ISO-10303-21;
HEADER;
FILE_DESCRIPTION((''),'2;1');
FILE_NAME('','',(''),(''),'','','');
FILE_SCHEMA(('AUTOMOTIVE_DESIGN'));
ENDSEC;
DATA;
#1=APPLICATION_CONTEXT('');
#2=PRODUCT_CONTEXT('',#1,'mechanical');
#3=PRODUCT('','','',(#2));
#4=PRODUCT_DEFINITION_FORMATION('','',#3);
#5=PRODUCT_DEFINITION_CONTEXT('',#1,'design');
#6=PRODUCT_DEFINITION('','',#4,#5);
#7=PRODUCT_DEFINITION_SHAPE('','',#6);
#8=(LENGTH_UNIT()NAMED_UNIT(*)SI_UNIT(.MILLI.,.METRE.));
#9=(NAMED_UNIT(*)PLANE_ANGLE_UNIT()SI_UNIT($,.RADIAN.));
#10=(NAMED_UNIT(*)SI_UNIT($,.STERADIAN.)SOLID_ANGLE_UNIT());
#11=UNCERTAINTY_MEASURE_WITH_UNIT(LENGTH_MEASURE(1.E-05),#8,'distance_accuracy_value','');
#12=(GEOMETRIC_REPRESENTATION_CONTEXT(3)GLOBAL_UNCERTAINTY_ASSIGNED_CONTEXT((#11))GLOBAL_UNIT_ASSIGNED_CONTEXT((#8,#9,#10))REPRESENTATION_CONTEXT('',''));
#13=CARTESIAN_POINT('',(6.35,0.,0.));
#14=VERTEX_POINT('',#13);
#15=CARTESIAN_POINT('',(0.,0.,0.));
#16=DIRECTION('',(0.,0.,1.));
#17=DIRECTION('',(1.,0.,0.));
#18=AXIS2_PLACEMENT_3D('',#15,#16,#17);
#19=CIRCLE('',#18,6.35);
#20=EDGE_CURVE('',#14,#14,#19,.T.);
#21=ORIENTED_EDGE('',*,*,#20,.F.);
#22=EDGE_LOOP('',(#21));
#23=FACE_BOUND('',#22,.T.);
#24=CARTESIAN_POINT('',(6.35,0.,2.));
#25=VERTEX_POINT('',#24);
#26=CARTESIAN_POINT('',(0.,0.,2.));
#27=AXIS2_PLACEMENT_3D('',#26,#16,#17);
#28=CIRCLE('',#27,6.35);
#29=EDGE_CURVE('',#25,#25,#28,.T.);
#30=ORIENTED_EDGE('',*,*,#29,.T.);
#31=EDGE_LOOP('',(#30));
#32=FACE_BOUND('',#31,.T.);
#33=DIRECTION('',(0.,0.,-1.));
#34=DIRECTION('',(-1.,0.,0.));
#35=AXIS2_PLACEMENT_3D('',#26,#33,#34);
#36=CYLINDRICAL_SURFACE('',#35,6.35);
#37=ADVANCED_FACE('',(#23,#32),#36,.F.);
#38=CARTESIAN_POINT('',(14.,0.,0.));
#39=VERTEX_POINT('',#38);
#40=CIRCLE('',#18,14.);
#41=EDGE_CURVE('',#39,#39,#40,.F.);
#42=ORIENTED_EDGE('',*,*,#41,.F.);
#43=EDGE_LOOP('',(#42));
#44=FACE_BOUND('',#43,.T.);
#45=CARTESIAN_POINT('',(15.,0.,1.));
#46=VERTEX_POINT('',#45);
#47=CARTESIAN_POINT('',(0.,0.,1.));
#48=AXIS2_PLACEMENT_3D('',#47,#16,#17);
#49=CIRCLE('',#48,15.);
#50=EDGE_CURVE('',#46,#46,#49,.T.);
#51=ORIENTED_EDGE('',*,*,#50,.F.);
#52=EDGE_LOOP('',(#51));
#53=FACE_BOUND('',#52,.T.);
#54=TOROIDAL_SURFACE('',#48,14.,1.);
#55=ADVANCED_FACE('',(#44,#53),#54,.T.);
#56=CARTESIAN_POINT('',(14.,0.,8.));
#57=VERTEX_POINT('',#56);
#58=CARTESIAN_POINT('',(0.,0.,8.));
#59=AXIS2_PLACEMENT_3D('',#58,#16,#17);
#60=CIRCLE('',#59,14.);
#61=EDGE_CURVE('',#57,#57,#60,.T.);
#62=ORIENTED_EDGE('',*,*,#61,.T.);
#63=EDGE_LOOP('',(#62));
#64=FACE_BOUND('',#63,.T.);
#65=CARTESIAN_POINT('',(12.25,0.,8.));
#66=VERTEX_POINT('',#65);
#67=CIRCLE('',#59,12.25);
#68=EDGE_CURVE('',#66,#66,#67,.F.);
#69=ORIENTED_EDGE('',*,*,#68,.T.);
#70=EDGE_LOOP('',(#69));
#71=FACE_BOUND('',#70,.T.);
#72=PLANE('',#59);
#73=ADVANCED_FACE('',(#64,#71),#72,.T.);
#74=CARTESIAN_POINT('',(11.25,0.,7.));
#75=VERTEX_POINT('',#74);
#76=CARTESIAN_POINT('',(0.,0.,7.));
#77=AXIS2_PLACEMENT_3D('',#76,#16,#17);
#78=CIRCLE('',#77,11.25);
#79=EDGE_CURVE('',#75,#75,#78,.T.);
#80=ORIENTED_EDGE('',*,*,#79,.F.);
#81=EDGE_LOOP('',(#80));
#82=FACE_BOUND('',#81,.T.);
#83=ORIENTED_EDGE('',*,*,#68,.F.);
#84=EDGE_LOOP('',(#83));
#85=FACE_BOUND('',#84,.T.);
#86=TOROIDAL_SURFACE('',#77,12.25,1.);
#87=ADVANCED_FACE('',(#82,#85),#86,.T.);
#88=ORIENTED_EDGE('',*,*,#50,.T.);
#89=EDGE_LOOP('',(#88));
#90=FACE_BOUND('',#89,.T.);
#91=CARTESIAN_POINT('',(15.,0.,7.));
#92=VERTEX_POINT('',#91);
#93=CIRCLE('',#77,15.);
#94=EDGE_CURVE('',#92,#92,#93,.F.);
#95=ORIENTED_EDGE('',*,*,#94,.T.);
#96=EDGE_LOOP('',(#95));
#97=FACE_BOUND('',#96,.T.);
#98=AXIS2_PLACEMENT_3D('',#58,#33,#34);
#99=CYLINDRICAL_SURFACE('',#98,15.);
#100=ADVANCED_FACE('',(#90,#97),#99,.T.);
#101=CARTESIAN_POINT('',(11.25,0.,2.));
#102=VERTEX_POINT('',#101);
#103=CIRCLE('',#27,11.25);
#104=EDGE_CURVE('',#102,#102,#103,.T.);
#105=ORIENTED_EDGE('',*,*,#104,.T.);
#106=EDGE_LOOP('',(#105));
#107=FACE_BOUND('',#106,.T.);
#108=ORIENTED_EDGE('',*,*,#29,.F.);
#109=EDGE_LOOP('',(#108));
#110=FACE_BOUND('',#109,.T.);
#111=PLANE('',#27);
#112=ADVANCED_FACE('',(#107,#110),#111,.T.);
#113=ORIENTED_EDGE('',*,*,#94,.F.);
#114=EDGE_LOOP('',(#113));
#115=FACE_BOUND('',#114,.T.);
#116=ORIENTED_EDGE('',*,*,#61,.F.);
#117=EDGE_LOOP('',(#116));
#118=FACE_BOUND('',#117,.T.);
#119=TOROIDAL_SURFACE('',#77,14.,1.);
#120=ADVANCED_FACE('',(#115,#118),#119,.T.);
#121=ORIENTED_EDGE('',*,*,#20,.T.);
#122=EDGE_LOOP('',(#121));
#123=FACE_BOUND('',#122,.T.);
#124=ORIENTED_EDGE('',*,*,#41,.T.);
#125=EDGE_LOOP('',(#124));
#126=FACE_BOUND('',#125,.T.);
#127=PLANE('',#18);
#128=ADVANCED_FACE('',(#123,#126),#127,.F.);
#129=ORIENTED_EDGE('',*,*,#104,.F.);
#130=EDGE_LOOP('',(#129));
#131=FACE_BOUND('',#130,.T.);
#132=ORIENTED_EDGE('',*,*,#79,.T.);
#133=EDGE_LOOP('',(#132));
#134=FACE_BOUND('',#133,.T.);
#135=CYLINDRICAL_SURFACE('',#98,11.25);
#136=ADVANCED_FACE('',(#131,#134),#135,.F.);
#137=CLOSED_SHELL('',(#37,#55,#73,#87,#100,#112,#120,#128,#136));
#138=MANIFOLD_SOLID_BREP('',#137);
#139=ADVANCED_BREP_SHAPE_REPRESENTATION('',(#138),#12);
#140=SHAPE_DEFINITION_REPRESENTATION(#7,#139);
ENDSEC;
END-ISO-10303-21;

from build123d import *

# Parameters (mm, degrees)
SKETCH1_R           = 15
SKETCH1_R_2         = 11.25
BOSS_EXTRUDE1_DEPTH = 8
SKETCH1_3_R         = 11.25
SKETCH1_3_R_2       = 6.35
BOSS_EXTRUDE2_DEPTH = 2
FILLET1_R           = 1


with BuildPart() as part:
    # Sketch1 → Boss-Extrude1 (new body)
    with BuildSketch(Plane.XY):
        Circle(SKETCH1_R)
        Circle(SKETCH1_R_2, mode=Mode.SUBTRACT)
    extrude(amount=BOSS_EXTRUDE1_DEPTH)

    # Sketch1<3> → Boss-Extrude2 (add)
    with BuildSketch(Plane.XY):
        Circle(SKETCH1_3_R)
        Circle(SKETCH1_3_R_2, mode=Mode.SUBTRACT)
    extrude(amount=BOSS_EXTRUDE2_DEPTH)

    # Fillet1
    fillet1_edges = [part.edges().sort_by_distance(p)[0] for p in [
        (-15, 0, 8),
        (-15, 0, 0),
        (-11.25, 0, 8),
    ]]
    fillet(fillet1_edges, radius=FILLET1_R)


solid = part.part
